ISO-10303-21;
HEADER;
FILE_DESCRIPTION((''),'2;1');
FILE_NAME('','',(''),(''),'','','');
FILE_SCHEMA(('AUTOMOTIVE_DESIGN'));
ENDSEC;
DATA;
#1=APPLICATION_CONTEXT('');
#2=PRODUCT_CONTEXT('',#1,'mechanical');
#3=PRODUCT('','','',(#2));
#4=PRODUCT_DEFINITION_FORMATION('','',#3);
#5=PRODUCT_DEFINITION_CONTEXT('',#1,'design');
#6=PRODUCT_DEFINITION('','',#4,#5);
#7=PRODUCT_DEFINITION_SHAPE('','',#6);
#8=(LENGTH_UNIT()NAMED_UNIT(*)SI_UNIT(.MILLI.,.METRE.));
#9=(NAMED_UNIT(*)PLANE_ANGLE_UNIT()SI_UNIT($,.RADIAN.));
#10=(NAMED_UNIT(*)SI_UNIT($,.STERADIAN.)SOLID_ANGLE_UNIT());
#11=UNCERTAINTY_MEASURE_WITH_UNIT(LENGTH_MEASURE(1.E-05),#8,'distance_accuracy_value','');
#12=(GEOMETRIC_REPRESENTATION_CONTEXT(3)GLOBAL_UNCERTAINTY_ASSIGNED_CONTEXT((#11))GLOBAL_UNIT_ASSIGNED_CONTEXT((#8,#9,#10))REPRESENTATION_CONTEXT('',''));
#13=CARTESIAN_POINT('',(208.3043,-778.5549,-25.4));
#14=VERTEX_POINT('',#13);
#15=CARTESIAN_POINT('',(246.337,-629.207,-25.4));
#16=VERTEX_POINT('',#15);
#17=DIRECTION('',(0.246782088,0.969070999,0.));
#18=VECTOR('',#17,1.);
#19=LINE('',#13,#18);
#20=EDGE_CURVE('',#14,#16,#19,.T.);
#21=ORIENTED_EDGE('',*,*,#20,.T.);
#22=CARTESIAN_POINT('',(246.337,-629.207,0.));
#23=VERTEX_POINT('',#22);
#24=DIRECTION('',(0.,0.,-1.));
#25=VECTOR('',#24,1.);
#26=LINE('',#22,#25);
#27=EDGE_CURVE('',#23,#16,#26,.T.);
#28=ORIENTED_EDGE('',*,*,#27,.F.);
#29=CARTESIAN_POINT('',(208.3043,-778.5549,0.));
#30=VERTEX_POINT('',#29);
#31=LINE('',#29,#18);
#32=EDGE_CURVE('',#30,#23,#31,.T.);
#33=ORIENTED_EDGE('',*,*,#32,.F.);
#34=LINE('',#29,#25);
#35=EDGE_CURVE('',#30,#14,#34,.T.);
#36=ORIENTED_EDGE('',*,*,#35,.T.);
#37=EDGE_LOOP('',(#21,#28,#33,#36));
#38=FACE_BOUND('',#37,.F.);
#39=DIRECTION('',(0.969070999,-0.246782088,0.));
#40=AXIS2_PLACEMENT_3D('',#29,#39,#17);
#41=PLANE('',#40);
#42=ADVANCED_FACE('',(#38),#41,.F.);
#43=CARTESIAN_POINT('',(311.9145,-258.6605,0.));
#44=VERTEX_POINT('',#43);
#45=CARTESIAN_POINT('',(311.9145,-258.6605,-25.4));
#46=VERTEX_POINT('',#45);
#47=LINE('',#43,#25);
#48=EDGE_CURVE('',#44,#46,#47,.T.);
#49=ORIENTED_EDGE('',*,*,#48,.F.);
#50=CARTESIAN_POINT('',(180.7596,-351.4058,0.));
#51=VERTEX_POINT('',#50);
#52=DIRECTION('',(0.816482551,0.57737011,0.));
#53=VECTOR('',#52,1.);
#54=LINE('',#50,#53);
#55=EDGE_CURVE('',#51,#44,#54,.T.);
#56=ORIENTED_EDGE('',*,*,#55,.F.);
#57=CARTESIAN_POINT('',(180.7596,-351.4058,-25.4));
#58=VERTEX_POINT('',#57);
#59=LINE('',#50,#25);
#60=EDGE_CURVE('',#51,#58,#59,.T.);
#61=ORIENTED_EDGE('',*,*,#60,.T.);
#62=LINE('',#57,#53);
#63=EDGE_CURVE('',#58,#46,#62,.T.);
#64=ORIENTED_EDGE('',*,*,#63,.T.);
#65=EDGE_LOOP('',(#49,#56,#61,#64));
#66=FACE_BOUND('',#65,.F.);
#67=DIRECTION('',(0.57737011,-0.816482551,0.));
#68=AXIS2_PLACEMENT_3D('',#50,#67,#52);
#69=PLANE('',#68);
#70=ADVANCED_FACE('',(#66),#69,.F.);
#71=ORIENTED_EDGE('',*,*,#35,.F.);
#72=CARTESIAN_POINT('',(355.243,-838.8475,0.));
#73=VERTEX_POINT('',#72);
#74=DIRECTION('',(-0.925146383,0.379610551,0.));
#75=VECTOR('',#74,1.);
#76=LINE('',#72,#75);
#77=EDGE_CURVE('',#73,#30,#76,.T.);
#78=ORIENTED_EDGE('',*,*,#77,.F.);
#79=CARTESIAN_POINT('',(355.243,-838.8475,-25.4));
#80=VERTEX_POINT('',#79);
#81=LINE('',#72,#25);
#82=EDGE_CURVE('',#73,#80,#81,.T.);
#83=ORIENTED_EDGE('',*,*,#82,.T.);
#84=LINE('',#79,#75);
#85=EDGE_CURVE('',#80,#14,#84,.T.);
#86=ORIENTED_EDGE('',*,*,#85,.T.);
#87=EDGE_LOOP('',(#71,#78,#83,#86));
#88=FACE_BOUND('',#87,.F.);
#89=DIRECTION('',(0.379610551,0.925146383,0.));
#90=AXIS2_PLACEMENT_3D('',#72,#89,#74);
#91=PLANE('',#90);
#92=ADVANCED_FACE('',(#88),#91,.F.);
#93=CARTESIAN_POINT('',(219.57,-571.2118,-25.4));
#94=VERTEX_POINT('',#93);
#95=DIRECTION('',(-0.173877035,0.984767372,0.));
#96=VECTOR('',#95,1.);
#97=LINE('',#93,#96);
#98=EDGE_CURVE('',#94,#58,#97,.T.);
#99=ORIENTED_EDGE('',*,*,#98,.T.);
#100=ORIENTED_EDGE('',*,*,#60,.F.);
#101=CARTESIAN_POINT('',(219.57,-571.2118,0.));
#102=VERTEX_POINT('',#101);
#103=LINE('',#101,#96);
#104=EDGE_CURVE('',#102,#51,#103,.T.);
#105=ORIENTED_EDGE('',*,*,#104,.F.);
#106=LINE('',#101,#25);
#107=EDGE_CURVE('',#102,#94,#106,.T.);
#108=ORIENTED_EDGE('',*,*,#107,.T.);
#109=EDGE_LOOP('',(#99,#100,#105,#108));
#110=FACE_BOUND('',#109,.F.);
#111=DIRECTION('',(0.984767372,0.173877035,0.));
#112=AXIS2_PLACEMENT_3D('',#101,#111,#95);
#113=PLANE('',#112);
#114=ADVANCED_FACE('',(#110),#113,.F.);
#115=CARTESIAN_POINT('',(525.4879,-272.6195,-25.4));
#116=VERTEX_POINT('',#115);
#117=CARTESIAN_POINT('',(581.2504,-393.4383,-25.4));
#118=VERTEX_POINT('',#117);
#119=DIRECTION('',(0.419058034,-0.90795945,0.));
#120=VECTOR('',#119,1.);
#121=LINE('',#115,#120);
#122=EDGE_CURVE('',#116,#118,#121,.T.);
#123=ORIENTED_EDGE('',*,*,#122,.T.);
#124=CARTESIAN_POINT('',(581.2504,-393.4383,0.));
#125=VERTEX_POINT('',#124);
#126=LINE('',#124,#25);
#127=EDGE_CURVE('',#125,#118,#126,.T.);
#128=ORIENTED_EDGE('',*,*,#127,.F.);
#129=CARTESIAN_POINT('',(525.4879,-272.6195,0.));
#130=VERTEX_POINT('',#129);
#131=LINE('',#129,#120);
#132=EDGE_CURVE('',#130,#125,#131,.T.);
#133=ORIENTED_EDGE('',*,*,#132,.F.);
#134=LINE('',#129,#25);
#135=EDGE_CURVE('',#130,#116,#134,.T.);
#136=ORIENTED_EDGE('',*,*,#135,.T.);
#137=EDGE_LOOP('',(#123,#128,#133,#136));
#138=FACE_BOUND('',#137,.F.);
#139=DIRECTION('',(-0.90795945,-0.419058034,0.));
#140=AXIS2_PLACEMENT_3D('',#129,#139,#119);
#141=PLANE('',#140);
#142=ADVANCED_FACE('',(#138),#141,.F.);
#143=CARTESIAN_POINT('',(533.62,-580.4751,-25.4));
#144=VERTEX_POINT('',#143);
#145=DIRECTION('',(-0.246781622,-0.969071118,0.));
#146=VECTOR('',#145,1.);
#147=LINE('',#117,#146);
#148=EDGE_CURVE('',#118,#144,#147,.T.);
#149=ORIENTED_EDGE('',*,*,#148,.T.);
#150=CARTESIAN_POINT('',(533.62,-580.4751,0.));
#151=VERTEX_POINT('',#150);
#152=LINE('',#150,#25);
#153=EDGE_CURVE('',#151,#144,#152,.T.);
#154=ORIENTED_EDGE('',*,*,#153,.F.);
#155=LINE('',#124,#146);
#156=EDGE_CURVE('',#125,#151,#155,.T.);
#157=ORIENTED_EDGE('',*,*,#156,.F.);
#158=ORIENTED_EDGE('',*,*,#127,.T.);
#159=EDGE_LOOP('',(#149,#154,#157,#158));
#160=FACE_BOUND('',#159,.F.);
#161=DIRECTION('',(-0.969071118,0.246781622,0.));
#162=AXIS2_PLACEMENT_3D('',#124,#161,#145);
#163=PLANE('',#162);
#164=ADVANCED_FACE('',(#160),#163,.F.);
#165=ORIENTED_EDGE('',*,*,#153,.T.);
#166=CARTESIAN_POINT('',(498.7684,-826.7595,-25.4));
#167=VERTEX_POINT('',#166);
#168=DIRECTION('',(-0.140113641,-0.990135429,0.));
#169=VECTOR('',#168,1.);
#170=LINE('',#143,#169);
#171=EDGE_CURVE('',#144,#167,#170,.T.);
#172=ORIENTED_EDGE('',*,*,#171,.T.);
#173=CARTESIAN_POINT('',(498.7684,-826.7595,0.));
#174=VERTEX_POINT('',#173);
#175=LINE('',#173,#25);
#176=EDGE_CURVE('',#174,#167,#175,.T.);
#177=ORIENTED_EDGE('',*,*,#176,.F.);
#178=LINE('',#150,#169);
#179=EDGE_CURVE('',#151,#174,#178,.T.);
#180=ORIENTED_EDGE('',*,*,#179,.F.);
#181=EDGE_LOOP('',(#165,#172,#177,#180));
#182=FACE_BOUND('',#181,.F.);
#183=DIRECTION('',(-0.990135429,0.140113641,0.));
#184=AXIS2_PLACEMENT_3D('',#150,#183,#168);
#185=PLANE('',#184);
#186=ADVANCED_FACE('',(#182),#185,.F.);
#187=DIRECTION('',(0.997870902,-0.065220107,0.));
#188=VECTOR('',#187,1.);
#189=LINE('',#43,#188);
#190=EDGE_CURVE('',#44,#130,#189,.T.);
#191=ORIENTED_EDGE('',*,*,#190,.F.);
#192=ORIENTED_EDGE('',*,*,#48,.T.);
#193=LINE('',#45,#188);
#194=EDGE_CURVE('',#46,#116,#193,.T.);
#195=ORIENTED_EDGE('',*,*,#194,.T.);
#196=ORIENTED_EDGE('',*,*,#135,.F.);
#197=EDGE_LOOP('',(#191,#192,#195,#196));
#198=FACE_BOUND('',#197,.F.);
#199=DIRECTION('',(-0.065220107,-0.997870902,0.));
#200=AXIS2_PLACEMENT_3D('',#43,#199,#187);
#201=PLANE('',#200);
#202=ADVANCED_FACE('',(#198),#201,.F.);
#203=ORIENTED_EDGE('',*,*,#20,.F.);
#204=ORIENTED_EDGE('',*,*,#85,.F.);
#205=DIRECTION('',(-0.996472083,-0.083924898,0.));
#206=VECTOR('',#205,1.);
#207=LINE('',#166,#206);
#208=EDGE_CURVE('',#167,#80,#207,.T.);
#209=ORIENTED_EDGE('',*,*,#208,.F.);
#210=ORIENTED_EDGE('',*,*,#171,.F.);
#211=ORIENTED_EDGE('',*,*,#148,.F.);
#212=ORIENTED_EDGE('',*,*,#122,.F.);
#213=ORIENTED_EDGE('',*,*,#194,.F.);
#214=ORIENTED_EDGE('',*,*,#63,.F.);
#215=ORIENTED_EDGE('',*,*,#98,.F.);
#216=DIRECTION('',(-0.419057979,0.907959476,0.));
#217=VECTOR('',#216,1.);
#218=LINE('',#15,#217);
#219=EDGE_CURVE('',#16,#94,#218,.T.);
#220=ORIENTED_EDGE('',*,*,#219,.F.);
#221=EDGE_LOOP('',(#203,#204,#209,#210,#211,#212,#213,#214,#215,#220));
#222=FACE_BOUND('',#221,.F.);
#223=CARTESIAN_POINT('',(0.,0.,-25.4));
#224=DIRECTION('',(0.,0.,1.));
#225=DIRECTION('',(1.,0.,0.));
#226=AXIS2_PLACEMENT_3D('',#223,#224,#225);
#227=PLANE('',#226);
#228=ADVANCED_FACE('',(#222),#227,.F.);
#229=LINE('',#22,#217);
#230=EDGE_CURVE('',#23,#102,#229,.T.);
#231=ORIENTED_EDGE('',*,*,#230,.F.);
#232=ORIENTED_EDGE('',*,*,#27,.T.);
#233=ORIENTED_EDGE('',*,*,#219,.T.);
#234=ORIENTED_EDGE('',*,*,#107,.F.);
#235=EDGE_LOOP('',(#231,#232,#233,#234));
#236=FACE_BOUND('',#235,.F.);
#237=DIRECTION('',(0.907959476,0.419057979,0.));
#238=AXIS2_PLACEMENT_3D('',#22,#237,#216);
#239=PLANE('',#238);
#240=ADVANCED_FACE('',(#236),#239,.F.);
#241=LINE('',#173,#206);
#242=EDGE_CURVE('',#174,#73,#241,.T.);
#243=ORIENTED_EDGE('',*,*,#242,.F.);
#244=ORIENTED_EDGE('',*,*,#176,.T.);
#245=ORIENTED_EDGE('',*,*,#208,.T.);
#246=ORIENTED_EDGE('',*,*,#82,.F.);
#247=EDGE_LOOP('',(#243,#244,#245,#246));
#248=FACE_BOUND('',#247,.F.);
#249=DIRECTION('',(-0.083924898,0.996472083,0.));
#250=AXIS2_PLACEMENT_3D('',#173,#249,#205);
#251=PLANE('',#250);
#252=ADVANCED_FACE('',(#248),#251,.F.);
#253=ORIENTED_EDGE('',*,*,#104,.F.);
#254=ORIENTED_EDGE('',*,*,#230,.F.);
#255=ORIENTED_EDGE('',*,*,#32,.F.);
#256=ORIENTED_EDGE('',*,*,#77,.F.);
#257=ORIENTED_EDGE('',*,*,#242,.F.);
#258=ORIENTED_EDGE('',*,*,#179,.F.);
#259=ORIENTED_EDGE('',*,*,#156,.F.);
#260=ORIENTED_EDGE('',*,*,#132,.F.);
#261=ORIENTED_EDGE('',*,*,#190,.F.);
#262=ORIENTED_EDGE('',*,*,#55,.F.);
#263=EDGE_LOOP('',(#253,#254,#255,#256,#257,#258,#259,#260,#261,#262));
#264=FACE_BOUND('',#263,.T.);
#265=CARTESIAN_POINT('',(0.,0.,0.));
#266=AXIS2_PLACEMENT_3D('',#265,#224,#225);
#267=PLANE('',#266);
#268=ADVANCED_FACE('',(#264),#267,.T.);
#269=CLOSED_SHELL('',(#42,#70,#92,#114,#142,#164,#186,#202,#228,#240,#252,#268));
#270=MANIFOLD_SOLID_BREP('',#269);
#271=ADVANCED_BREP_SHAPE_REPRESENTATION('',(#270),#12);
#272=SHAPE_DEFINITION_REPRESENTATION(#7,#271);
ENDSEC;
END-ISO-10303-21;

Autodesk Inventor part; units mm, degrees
ref_plane "YZ Plane" through (0, 0, 0) normal (1, 0, 0) x (0, 1, 0)
ref_plane "XZ Plane" through (0, 0, 0) normal (0, 1, 0) x (-1, 0, 0)
ref_plane "XY Plane" through (0, 0, 0) normal (0, 0, 1) x (1, 0, 0)
sketch "Sketch1" plane through (0, 0, 0) normal (0, 0, 1) x (1, 0, 0)
  line L0 (-15.9123, 14.7509) -> (784.1877, 14.7509) construction
  line L1 (784.1877, 14.7509) -> (784.1877, -1052.0491) construction
  line L2 (784.1877, -1052.0491) -> (-15.9123, -1052.0491) construction
  line L3 (-15.9123, -1052.0491) -> (-15.9123, 14.7509) construction
  line L4 (311.9145, -258.6605) -> (525.4879, -272.6195)
  line L5 (525.4879, -272.6195) -> (581.2504, -393.4383)
  line L6 (581.2504, -393.4383) -> (533.62, -580.4751)
  line L7 (533.62, -580.4751) -> (498.7684, -826.7595)
  line L8 (498.7684, -826.7595) -> (355.243, -838.8475)
  line L9 (355.243, -838.8475) -> (208.3043, -778.5549)
  line L10 (208.3043, -778.5549) -> (246.337, -629.207)
  line L11 (246.337, -629.207) -> (219.57, -571.2118)
  line L12 (219.57, -571.2118) -> (180.7596, -351.4058)
  line L13 (180.7596, -351.4058) -> (311.9145, -258.6605)
  line L14 (180.7596, -258.6605) -> (584.1903, -258.6605)
  line L15 (584.1903, -258.6605) -> (584.1903, -838.8475)
  line L16 (584.1903, -838.8475) -> (180.7596, -838.8475)
  line L17 (180.7596, -838.8475) -> (180.7596, -258.6605)
  point P0 (0, 0)
  dimension "d7" = 403.4308
  dimension "d10" = 580.187
extrude "Extrusion1" add sketch "Sketch1" against normal blind 25.4 contours L4 L5 L6 L7 L8 L9 L10 L11 L12 L13
properties part number "emu"
